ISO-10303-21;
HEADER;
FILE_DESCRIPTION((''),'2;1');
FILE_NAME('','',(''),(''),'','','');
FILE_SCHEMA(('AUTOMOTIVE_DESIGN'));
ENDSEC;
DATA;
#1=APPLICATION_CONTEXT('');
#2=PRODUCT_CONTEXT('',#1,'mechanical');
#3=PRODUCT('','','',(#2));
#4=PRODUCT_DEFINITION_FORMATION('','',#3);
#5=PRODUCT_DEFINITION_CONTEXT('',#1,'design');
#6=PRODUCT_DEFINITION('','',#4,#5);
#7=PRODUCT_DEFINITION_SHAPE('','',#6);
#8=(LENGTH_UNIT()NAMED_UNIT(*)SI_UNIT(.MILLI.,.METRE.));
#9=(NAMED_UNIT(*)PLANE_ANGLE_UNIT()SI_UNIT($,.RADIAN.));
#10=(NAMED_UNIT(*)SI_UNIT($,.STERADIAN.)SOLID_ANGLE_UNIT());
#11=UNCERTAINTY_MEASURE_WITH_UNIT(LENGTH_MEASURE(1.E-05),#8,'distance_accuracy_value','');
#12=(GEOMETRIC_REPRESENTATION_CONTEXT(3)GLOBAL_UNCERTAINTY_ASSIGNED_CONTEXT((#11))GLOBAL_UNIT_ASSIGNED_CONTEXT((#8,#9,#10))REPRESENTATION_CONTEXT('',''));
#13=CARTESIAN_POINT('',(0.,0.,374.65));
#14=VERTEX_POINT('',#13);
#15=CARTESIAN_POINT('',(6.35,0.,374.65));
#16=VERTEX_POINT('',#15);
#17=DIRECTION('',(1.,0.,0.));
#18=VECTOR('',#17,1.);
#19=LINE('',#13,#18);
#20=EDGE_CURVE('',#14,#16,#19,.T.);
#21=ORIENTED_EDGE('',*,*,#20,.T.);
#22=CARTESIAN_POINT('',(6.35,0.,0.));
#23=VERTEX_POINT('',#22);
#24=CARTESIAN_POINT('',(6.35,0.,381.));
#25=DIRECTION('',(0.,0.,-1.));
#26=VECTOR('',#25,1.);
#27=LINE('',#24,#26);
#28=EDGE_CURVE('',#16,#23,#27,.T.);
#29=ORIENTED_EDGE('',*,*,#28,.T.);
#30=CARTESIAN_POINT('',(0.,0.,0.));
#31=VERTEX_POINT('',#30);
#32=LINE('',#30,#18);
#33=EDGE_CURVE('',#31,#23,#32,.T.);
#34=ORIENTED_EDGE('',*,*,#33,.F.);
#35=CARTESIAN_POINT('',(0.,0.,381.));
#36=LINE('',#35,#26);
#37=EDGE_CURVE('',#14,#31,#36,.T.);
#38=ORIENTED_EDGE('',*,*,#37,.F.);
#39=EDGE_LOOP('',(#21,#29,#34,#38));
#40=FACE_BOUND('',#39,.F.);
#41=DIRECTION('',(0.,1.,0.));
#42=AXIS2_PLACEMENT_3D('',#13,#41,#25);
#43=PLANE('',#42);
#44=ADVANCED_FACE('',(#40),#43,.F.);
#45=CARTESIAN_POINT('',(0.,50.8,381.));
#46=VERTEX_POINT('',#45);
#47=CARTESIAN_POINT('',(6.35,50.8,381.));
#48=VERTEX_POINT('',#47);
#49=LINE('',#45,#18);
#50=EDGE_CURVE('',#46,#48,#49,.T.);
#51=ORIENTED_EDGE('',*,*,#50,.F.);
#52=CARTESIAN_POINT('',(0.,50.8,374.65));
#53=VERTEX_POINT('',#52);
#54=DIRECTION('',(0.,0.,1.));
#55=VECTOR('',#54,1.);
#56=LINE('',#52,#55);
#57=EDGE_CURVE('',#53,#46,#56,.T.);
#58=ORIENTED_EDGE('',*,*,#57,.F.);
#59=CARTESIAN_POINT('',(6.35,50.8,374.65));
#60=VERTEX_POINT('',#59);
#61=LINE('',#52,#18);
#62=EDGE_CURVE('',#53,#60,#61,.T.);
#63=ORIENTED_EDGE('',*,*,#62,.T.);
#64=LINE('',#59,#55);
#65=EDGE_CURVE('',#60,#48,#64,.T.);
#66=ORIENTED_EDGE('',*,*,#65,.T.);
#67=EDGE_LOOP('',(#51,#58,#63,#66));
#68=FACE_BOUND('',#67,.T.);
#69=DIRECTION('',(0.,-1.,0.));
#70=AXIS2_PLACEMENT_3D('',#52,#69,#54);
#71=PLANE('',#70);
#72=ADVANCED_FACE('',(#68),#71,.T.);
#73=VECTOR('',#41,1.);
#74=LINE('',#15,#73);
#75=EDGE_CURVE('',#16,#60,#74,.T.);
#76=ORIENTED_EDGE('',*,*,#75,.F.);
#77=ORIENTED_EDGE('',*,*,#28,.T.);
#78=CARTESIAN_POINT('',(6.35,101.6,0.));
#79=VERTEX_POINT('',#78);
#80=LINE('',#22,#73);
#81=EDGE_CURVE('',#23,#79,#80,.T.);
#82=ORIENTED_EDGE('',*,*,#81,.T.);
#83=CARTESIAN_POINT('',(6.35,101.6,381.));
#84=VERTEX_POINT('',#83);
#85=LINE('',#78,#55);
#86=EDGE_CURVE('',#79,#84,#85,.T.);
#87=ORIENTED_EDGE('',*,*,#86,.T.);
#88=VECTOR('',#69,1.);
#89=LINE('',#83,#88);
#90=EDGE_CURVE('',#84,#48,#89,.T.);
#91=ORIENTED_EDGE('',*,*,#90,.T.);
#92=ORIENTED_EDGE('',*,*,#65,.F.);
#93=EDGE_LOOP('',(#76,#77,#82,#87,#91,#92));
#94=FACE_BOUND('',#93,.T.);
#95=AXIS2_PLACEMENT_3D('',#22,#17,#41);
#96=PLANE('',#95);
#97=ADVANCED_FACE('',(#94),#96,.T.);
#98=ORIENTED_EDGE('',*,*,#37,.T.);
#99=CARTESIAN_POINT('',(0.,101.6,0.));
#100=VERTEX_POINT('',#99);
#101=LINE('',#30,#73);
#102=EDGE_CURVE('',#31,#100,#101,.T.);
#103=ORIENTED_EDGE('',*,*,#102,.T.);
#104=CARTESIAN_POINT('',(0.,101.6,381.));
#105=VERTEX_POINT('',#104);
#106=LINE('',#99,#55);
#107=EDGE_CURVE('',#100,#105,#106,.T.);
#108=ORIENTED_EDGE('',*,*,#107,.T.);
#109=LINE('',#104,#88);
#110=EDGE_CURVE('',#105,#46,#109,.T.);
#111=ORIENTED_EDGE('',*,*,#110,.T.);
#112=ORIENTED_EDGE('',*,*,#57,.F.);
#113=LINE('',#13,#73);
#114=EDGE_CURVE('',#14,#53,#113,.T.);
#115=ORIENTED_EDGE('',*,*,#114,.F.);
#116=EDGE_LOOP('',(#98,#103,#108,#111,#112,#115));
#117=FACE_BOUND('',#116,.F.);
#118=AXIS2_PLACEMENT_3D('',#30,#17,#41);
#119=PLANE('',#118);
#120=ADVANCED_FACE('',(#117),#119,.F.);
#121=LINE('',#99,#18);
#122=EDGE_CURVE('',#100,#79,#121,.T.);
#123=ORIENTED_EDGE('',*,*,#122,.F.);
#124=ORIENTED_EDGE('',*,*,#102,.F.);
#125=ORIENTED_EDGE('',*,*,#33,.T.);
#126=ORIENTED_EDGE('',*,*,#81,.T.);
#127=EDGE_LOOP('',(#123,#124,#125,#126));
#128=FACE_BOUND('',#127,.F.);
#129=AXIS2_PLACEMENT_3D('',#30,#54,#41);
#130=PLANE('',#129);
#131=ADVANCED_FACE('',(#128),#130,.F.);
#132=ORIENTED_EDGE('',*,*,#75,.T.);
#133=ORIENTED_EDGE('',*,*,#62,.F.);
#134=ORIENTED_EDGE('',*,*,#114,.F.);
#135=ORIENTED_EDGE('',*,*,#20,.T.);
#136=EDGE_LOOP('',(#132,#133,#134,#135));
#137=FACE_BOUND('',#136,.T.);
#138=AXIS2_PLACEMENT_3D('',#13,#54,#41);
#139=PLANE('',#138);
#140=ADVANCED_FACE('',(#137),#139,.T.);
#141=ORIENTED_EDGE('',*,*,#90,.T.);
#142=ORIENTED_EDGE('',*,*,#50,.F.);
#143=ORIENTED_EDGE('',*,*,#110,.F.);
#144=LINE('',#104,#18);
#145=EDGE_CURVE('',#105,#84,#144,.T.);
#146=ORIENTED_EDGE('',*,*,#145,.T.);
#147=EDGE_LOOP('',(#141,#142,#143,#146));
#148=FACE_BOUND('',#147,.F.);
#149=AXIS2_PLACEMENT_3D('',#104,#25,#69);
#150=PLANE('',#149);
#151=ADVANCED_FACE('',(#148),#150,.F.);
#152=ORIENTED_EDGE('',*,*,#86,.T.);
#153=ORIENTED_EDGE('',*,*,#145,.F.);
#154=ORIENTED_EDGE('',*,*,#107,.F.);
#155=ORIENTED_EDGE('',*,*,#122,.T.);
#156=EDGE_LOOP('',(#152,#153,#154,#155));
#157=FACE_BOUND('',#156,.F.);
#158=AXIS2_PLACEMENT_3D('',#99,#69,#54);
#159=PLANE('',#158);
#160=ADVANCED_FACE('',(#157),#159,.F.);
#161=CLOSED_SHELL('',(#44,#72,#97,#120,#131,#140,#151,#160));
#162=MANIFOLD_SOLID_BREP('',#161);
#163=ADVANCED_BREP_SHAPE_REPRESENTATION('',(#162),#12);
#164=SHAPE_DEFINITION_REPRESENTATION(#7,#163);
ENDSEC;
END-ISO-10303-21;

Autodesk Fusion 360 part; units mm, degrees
sketch "Sketch1" plane through (0, 0, 0) normal (1, 0, 0) x (0, 1, 0)
  line L0 (0, 0) -> (101.6, 0)
  line L1 (101.6, 0) -> (101.6, 381)
  line L2 (101.6, 381) -> (0, 381)
  line L3 (0, 381) -> (0, 0)
  line L4 (50.8, 381) -> (0, 381)
  line L5 (0, 381) -> (0, 374.65)
  line L6 (0, 374.65) -> (50.8, 374.65)
  line L7 (50.8, 374.65) -> (50.8, 381)
  dimension "d1" = 101.6
  dimension "d2" = 381
  dimension "d3" = 6.35
  dimension "d5" = 50.8
extrude "Extrude1" add sketch "Sketch1" along normal blind 6.35 contours L0 L1 L2 L3 L6 L7
